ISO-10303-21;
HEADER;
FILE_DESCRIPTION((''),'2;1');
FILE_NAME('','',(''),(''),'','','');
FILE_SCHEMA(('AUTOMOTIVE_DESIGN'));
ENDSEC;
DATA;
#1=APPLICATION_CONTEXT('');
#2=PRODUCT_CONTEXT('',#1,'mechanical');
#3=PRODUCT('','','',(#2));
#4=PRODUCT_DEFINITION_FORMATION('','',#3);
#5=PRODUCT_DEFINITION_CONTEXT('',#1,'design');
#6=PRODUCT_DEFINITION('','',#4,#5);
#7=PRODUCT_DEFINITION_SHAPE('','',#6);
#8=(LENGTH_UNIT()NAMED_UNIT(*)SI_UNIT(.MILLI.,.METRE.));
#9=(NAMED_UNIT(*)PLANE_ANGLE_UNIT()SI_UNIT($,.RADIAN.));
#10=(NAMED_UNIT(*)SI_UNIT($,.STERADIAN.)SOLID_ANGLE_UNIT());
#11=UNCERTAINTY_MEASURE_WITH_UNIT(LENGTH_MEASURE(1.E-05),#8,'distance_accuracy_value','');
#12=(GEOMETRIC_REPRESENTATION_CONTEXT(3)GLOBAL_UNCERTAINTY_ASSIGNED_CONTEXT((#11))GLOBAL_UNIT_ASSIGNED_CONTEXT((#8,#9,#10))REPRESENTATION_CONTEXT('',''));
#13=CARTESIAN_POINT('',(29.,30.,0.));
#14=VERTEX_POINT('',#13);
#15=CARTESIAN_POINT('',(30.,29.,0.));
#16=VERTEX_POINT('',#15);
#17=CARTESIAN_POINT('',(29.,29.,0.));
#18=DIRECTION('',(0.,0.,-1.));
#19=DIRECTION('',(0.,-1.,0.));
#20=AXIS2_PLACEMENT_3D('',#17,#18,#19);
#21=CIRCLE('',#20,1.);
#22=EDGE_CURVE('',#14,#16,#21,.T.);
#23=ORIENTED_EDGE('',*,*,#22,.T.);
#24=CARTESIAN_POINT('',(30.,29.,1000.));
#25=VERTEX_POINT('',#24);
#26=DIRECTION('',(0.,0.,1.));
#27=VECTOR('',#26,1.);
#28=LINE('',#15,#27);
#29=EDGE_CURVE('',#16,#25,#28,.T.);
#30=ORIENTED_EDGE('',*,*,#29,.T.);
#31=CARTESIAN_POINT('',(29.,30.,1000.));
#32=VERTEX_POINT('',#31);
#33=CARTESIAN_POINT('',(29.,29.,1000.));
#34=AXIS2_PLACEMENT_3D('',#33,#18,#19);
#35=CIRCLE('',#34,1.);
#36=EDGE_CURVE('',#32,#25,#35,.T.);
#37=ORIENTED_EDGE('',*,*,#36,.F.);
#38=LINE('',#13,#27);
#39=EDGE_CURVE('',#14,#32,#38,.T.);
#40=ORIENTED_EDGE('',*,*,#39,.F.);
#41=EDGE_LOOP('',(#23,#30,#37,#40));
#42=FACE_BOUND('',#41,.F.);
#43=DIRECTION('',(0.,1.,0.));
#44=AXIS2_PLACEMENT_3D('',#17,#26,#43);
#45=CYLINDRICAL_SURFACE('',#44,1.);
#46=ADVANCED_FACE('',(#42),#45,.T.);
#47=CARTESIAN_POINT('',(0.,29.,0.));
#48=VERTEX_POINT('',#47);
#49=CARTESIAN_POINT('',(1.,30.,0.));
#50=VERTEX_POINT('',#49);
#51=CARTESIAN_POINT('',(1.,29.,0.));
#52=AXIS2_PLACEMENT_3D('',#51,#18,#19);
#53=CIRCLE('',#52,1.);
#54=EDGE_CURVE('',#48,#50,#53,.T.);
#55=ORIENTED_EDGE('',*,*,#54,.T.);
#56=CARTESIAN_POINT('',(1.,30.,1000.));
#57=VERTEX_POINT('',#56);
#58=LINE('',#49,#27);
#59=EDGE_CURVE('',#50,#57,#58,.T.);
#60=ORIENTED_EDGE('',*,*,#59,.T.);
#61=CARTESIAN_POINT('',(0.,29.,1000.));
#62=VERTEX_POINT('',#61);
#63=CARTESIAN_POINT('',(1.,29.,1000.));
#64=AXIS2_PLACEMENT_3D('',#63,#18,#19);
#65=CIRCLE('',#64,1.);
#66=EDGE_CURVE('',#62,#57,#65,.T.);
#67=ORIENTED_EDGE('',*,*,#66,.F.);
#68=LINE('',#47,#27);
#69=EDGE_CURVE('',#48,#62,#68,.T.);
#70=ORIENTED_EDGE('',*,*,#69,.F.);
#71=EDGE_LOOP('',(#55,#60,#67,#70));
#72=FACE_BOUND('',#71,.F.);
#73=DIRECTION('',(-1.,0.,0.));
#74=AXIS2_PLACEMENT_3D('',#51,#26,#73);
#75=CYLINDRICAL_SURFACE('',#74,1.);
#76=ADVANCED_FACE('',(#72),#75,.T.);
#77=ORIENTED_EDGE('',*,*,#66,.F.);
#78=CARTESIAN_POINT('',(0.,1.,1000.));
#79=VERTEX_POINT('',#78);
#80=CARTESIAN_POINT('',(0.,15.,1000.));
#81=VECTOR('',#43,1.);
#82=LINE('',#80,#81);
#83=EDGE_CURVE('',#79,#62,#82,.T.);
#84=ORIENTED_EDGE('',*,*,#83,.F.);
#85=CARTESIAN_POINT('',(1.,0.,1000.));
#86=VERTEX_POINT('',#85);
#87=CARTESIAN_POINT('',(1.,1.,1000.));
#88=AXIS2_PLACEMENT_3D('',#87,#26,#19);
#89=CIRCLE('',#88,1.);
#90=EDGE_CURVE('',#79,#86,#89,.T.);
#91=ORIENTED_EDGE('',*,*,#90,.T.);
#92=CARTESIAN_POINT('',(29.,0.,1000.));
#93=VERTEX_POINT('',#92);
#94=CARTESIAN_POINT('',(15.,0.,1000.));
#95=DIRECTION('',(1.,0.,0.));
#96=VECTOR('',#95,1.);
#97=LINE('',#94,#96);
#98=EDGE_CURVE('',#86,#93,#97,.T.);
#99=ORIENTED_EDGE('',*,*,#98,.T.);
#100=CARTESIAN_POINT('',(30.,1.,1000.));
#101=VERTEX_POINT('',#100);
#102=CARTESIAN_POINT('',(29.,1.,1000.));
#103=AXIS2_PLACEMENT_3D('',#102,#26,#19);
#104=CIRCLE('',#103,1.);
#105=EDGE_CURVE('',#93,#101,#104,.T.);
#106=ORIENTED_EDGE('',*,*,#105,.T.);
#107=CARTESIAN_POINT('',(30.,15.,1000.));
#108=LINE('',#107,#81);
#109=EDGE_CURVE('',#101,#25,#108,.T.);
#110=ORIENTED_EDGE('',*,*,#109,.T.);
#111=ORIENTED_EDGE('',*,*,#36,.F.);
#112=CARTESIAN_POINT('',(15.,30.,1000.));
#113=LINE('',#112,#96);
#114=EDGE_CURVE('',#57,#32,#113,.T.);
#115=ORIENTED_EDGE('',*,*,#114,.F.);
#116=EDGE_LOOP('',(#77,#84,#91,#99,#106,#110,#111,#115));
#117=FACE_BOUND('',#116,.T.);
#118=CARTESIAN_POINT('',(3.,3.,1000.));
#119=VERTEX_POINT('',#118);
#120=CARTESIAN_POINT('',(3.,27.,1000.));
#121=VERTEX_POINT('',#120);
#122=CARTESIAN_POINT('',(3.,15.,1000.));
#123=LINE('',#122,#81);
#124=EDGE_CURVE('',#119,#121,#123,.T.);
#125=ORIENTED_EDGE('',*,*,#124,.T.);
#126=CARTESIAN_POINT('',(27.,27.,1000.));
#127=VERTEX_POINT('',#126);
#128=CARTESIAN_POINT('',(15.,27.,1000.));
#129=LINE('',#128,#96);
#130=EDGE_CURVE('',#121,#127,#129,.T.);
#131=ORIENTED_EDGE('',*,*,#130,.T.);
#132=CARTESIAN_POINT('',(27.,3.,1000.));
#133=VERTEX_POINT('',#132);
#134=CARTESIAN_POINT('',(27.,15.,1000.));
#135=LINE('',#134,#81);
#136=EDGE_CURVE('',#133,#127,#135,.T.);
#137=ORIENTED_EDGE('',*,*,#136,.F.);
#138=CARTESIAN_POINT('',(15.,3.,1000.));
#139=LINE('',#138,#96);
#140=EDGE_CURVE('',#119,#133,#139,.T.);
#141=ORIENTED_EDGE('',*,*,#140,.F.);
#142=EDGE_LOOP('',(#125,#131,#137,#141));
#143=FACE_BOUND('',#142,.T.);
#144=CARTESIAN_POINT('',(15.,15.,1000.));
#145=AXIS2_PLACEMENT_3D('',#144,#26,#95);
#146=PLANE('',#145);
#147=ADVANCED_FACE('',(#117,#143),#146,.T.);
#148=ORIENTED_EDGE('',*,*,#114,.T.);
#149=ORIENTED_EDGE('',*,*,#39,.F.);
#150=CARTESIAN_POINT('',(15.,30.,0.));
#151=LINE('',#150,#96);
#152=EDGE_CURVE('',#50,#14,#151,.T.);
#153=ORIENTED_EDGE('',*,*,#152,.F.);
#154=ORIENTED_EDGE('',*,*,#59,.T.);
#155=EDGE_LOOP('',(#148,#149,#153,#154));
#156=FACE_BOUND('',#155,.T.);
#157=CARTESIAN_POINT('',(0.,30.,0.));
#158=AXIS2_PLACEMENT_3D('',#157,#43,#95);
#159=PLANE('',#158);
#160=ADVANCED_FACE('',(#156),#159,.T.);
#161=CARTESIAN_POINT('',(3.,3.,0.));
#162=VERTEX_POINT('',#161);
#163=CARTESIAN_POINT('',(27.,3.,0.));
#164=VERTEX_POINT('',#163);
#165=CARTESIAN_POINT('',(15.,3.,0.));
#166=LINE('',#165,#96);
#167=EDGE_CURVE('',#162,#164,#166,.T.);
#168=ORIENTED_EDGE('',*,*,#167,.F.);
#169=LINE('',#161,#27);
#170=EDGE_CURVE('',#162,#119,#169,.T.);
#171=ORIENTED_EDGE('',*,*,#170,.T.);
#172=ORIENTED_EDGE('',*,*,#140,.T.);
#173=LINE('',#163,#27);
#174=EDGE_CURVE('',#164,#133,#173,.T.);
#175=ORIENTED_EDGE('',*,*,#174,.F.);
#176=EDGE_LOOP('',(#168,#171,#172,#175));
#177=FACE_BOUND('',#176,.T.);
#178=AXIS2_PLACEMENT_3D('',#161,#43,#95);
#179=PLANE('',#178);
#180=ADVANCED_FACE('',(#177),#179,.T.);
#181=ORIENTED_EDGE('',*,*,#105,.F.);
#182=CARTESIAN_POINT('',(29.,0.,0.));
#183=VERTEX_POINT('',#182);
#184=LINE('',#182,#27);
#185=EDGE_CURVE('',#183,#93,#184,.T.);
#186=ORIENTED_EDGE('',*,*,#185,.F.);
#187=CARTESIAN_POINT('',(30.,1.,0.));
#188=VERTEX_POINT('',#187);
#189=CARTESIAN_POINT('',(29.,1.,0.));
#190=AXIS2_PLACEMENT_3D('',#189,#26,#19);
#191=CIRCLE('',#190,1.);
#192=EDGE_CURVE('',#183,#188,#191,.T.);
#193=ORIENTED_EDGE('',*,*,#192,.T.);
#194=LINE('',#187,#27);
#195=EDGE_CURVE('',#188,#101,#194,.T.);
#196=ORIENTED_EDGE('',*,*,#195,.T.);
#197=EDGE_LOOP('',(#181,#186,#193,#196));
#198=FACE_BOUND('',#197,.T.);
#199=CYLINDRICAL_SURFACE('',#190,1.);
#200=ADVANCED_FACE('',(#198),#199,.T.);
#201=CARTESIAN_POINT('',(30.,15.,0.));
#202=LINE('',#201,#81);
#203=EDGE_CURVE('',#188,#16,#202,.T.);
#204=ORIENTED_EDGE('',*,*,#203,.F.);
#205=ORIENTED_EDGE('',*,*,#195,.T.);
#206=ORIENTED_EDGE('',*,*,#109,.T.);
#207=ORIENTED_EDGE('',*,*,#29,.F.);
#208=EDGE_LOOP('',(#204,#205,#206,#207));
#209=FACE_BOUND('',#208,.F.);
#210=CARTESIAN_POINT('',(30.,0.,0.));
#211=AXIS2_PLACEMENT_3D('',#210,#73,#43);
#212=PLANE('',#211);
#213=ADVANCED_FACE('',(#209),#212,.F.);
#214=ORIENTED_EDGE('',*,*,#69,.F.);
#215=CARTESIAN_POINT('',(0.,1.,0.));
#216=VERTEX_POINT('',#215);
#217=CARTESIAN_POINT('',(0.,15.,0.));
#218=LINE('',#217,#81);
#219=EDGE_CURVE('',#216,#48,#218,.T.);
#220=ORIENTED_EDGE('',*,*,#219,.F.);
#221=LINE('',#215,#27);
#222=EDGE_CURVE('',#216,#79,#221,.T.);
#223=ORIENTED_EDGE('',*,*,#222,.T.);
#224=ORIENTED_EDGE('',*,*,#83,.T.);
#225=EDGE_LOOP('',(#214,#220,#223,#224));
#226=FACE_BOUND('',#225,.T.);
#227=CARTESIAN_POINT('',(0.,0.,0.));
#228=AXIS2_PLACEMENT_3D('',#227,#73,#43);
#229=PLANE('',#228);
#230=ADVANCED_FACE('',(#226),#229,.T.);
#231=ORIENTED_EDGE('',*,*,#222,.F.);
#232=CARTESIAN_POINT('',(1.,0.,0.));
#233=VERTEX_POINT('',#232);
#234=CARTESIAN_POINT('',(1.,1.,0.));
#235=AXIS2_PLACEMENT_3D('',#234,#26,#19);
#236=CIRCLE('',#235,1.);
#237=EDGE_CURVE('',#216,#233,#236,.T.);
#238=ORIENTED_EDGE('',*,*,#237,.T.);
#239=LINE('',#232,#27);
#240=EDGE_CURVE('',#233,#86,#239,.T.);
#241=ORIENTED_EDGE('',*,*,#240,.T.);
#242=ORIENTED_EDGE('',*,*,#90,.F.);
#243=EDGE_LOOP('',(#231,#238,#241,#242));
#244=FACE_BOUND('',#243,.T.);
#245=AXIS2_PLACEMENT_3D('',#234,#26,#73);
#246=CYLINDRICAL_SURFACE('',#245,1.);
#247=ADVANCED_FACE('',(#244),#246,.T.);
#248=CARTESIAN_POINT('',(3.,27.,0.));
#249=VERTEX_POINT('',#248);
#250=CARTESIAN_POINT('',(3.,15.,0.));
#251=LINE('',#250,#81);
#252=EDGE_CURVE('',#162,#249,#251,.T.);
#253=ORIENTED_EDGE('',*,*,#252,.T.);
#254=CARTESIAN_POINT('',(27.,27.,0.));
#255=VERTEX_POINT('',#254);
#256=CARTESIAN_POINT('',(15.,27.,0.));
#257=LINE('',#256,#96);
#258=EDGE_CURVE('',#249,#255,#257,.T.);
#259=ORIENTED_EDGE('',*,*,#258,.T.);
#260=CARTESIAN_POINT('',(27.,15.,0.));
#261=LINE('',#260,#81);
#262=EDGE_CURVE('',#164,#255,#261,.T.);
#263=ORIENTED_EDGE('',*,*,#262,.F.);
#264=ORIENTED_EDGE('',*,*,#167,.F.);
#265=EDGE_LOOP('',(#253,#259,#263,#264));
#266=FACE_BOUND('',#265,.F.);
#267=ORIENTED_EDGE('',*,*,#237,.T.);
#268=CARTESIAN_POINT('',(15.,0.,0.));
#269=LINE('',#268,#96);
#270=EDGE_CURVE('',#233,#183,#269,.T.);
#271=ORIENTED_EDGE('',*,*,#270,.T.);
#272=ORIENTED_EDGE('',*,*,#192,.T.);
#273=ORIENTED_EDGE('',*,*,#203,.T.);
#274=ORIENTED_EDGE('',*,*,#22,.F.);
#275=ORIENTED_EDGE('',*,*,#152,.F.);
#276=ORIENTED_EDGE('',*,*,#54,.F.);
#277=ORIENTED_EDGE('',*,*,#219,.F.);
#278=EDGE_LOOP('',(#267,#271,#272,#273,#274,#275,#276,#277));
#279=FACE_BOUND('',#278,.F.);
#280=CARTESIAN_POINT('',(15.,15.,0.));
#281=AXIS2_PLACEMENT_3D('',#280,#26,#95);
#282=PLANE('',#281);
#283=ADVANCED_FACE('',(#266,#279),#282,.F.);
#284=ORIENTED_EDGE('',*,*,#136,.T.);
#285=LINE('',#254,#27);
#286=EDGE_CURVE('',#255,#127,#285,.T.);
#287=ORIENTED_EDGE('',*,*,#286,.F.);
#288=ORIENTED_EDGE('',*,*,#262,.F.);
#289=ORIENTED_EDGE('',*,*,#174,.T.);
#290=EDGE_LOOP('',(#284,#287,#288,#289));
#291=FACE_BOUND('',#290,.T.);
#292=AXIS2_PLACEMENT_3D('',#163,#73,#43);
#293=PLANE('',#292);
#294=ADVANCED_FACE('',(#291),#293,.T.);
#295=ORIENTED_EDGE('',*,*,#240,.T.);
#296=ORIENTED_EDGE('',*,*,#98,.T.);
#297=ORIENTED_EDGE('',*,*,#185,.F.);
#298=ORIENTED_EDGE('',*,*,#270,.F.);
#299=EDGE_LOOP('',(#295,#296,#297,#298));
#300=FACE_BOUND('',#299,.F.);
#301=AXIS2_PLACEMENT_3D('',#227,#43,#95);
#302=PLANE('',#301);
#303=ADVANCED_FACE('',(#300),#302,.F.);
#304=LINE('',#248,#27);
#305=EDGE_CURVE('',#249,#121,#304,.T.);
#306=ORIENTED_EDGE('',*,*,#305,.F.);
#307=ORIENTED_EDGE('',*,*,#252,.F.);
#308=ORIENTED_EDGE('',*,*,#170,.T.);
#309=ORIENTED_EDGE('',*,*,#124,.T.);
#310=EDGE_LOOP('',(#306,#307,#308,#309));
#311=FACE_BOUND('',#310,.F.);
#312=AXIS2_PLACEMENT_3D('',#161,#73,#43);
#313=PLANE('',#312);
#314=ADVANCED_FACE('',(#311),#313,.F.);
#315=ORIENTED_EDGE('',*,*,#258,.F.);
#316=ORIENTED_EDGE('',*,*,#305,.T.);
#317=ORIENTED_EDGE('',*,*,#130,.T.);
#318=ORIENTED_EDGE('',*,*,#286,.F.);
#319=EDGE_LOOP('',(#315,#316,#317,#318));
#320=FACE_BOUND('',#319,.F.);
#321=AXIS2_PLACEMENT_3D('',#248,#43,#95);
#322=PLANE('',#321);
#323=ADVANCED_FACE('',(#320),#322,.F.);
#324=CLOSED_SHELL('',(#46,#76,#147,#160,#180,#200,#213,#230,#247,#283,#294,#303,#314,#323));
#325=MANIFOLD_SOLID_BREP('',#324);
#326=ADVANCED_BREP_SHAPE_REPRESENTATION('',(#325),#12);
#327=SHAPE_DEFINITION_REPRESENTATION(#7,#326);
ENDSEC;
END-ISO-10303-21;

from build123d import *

# Parameters (mm, degrees)
SKETCH_W   = 30
SKETCH_H   = 30
SKETCH_W_2 = 24
SKETCH_H_2 = 24
PAD_DEPTH  = 1000
FILLET_R   = 1


with BuildPart() as part:
    # Sketch → Pad (new body)
    with BuildSketch(Plane.XY):
        with Locations((15, 15)):
            Rectangle(SKETCH_W, SKETCH_H)
        with Locations((15, 15)):
            Rectangle(SKETCH_W_2, SKETCH_H_2, mode=Mode.SUBTRACT)
    extrude(amount=PAD_DEPTH)

    # Fillet
    fillet_edges = [part.edges().sort_by_distance(p)[0] for p in [
        (30, 0, 500),
        (0, 0, 500),
        (0, 30, 500),
        (30, 30, 500),
    ]]
    fillet(fillet_edges, radius=FILLET_R)


solid = part.part
